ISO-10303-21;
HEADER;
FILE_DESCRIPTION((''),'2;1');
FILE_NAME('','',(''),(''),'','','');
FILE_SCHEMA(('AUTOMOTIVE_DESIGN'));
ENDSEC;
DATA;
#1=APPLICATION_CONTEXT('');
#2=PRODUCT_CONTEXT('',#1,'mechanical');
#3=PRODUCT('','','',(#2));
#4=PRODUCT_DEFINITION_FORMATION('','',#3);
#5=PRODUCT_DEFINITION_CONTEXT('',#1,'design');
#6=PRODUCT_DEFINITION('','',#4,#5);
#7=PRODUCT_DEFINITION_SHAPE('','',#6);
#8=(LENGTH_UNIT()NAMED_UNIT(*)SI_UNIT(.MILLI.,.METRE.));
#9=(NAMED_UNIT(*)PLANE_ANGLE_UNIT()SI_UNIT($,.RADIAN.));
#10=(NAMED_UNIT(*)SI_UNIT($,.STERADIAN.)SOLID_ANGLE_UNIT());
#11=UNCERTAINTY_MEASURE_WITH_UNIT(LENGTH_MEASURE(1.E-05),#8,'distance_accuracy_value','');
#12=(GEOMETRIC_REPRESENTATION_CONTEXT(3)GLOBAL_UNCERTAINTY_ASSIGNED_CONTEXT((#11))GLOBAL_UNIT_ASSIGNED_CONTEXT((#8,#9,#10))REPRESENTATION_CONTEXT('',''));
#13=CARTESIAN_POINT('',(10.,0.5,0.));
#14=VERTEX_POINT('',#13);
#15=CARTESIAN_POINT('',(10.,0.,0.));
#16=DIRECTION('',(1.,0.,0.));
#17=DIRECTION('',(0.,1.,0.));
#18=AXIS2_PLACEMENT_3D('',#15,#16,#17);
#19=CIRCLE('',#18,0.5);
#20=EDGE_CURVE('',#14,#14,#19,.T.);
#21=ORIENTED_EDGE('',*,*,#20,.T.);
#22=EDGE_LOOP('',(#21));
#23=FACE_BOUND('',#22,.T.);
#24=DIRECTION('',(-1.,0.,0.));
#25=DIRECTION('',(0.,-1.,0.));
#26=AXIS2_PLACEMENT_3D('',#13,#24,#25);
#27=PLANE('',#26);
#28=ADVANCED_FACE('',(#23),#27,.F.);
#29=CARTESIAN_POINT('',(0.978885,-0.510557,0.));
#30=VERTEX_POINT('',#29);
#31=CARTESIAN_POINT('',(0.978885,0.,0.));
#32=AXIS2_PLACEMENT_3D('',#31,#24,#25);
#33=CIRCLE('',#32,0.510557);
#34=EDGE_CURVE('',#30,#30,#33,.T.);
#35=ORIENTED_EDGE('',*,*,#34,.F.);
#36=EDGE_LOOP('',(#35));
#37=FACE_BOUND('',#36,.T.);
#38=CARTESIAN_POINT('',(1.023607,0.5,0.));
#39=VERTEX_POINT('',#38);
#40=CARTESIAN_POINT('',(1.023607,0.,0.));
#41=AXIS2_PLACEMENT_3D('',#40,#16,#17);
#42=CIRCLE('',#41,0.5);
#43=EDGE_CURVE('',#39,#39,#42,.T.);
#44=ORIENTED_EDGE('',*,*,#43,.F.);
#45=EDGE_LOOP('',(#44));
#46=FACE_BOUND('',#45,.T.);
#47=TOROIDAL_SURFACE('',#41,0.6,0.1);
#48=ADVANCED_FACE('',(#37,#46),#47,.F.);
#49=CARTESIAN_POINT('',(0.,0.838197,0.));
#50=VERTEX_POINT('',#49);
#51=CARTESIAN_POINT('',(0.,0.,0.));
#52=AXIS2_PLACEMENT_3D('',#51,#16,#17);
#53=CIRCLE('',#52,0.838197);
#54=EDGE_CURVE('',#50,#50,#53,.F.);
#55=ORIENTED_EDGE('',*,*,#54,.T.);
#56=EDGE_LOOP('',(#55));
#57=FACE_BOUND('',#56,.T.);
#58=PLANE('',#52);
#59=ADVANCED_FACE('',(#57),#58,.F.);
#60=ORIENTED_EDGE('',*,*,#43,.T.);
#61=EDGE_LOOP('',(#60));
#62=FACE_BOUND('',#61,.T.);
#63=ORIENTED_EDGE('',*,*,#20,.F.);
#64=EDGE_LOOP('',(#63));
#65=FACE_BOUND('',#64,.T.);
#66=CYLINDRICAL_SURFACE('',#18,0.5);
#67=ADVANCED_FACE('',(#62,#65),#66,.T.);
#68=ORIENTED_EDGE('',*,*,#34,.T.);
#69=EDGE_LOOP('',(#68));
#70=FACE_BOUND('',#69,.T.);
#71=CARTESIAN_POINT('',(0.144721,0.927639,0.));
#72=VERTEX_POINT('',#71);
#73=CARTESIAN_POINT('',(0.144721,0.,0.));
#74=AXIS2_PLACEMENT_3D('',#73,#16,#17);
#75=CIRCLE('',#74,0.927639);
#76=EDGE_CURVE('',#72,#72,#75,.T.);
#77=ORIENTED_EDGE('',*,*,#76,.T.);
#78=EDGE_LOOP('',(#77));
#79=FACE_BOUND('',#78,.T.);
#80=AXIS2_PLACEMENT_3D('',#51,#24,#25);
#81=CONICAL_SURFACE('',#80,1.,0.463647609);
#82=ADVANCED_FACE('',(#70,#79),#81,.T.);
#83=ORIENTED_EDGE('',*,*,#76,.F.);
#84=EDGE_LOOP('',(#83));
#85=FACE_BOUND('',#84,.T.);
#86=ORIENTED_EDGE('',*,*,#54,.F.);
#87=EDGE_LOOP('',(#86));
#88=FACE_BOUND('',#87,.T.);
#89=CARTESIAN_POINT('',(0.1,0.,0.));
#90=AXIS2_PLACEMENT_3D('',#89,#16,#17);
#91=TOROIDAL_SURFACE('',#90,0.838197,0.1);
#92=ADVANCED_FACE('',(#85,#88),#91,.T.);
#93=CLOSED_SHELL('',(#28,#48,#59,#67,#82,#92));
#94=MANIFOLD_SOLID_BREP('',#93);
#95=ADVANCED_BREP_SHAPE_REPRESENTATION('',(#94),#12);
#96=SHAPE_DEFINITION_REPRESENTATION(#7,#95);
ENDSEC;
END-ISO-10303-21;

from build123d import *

# Parameters (mm, degrees)
FILLET_1_R = 0.1


with BuildPart() as part:
    # 草图1 → 旋转1 (revolve)
    with BuildSketch(Plane.XY):
        Polygon((0, 0), (0, 1), (1, 0.5), (10, 0.5), (10, 0), align=None)
    revolve(axis=Axis((10, 0, 0), (-1, 0, 0)))

    # 圆角1
    fillet_1_edges = [part.edges().sort_by_distance(p)[0] for p in [
        (1, -0.5, 0),
        (0, -1, 0),
    ]]
    fillet(fillet_1_edges, radius=FILLET_1_R)


solid = part.part
